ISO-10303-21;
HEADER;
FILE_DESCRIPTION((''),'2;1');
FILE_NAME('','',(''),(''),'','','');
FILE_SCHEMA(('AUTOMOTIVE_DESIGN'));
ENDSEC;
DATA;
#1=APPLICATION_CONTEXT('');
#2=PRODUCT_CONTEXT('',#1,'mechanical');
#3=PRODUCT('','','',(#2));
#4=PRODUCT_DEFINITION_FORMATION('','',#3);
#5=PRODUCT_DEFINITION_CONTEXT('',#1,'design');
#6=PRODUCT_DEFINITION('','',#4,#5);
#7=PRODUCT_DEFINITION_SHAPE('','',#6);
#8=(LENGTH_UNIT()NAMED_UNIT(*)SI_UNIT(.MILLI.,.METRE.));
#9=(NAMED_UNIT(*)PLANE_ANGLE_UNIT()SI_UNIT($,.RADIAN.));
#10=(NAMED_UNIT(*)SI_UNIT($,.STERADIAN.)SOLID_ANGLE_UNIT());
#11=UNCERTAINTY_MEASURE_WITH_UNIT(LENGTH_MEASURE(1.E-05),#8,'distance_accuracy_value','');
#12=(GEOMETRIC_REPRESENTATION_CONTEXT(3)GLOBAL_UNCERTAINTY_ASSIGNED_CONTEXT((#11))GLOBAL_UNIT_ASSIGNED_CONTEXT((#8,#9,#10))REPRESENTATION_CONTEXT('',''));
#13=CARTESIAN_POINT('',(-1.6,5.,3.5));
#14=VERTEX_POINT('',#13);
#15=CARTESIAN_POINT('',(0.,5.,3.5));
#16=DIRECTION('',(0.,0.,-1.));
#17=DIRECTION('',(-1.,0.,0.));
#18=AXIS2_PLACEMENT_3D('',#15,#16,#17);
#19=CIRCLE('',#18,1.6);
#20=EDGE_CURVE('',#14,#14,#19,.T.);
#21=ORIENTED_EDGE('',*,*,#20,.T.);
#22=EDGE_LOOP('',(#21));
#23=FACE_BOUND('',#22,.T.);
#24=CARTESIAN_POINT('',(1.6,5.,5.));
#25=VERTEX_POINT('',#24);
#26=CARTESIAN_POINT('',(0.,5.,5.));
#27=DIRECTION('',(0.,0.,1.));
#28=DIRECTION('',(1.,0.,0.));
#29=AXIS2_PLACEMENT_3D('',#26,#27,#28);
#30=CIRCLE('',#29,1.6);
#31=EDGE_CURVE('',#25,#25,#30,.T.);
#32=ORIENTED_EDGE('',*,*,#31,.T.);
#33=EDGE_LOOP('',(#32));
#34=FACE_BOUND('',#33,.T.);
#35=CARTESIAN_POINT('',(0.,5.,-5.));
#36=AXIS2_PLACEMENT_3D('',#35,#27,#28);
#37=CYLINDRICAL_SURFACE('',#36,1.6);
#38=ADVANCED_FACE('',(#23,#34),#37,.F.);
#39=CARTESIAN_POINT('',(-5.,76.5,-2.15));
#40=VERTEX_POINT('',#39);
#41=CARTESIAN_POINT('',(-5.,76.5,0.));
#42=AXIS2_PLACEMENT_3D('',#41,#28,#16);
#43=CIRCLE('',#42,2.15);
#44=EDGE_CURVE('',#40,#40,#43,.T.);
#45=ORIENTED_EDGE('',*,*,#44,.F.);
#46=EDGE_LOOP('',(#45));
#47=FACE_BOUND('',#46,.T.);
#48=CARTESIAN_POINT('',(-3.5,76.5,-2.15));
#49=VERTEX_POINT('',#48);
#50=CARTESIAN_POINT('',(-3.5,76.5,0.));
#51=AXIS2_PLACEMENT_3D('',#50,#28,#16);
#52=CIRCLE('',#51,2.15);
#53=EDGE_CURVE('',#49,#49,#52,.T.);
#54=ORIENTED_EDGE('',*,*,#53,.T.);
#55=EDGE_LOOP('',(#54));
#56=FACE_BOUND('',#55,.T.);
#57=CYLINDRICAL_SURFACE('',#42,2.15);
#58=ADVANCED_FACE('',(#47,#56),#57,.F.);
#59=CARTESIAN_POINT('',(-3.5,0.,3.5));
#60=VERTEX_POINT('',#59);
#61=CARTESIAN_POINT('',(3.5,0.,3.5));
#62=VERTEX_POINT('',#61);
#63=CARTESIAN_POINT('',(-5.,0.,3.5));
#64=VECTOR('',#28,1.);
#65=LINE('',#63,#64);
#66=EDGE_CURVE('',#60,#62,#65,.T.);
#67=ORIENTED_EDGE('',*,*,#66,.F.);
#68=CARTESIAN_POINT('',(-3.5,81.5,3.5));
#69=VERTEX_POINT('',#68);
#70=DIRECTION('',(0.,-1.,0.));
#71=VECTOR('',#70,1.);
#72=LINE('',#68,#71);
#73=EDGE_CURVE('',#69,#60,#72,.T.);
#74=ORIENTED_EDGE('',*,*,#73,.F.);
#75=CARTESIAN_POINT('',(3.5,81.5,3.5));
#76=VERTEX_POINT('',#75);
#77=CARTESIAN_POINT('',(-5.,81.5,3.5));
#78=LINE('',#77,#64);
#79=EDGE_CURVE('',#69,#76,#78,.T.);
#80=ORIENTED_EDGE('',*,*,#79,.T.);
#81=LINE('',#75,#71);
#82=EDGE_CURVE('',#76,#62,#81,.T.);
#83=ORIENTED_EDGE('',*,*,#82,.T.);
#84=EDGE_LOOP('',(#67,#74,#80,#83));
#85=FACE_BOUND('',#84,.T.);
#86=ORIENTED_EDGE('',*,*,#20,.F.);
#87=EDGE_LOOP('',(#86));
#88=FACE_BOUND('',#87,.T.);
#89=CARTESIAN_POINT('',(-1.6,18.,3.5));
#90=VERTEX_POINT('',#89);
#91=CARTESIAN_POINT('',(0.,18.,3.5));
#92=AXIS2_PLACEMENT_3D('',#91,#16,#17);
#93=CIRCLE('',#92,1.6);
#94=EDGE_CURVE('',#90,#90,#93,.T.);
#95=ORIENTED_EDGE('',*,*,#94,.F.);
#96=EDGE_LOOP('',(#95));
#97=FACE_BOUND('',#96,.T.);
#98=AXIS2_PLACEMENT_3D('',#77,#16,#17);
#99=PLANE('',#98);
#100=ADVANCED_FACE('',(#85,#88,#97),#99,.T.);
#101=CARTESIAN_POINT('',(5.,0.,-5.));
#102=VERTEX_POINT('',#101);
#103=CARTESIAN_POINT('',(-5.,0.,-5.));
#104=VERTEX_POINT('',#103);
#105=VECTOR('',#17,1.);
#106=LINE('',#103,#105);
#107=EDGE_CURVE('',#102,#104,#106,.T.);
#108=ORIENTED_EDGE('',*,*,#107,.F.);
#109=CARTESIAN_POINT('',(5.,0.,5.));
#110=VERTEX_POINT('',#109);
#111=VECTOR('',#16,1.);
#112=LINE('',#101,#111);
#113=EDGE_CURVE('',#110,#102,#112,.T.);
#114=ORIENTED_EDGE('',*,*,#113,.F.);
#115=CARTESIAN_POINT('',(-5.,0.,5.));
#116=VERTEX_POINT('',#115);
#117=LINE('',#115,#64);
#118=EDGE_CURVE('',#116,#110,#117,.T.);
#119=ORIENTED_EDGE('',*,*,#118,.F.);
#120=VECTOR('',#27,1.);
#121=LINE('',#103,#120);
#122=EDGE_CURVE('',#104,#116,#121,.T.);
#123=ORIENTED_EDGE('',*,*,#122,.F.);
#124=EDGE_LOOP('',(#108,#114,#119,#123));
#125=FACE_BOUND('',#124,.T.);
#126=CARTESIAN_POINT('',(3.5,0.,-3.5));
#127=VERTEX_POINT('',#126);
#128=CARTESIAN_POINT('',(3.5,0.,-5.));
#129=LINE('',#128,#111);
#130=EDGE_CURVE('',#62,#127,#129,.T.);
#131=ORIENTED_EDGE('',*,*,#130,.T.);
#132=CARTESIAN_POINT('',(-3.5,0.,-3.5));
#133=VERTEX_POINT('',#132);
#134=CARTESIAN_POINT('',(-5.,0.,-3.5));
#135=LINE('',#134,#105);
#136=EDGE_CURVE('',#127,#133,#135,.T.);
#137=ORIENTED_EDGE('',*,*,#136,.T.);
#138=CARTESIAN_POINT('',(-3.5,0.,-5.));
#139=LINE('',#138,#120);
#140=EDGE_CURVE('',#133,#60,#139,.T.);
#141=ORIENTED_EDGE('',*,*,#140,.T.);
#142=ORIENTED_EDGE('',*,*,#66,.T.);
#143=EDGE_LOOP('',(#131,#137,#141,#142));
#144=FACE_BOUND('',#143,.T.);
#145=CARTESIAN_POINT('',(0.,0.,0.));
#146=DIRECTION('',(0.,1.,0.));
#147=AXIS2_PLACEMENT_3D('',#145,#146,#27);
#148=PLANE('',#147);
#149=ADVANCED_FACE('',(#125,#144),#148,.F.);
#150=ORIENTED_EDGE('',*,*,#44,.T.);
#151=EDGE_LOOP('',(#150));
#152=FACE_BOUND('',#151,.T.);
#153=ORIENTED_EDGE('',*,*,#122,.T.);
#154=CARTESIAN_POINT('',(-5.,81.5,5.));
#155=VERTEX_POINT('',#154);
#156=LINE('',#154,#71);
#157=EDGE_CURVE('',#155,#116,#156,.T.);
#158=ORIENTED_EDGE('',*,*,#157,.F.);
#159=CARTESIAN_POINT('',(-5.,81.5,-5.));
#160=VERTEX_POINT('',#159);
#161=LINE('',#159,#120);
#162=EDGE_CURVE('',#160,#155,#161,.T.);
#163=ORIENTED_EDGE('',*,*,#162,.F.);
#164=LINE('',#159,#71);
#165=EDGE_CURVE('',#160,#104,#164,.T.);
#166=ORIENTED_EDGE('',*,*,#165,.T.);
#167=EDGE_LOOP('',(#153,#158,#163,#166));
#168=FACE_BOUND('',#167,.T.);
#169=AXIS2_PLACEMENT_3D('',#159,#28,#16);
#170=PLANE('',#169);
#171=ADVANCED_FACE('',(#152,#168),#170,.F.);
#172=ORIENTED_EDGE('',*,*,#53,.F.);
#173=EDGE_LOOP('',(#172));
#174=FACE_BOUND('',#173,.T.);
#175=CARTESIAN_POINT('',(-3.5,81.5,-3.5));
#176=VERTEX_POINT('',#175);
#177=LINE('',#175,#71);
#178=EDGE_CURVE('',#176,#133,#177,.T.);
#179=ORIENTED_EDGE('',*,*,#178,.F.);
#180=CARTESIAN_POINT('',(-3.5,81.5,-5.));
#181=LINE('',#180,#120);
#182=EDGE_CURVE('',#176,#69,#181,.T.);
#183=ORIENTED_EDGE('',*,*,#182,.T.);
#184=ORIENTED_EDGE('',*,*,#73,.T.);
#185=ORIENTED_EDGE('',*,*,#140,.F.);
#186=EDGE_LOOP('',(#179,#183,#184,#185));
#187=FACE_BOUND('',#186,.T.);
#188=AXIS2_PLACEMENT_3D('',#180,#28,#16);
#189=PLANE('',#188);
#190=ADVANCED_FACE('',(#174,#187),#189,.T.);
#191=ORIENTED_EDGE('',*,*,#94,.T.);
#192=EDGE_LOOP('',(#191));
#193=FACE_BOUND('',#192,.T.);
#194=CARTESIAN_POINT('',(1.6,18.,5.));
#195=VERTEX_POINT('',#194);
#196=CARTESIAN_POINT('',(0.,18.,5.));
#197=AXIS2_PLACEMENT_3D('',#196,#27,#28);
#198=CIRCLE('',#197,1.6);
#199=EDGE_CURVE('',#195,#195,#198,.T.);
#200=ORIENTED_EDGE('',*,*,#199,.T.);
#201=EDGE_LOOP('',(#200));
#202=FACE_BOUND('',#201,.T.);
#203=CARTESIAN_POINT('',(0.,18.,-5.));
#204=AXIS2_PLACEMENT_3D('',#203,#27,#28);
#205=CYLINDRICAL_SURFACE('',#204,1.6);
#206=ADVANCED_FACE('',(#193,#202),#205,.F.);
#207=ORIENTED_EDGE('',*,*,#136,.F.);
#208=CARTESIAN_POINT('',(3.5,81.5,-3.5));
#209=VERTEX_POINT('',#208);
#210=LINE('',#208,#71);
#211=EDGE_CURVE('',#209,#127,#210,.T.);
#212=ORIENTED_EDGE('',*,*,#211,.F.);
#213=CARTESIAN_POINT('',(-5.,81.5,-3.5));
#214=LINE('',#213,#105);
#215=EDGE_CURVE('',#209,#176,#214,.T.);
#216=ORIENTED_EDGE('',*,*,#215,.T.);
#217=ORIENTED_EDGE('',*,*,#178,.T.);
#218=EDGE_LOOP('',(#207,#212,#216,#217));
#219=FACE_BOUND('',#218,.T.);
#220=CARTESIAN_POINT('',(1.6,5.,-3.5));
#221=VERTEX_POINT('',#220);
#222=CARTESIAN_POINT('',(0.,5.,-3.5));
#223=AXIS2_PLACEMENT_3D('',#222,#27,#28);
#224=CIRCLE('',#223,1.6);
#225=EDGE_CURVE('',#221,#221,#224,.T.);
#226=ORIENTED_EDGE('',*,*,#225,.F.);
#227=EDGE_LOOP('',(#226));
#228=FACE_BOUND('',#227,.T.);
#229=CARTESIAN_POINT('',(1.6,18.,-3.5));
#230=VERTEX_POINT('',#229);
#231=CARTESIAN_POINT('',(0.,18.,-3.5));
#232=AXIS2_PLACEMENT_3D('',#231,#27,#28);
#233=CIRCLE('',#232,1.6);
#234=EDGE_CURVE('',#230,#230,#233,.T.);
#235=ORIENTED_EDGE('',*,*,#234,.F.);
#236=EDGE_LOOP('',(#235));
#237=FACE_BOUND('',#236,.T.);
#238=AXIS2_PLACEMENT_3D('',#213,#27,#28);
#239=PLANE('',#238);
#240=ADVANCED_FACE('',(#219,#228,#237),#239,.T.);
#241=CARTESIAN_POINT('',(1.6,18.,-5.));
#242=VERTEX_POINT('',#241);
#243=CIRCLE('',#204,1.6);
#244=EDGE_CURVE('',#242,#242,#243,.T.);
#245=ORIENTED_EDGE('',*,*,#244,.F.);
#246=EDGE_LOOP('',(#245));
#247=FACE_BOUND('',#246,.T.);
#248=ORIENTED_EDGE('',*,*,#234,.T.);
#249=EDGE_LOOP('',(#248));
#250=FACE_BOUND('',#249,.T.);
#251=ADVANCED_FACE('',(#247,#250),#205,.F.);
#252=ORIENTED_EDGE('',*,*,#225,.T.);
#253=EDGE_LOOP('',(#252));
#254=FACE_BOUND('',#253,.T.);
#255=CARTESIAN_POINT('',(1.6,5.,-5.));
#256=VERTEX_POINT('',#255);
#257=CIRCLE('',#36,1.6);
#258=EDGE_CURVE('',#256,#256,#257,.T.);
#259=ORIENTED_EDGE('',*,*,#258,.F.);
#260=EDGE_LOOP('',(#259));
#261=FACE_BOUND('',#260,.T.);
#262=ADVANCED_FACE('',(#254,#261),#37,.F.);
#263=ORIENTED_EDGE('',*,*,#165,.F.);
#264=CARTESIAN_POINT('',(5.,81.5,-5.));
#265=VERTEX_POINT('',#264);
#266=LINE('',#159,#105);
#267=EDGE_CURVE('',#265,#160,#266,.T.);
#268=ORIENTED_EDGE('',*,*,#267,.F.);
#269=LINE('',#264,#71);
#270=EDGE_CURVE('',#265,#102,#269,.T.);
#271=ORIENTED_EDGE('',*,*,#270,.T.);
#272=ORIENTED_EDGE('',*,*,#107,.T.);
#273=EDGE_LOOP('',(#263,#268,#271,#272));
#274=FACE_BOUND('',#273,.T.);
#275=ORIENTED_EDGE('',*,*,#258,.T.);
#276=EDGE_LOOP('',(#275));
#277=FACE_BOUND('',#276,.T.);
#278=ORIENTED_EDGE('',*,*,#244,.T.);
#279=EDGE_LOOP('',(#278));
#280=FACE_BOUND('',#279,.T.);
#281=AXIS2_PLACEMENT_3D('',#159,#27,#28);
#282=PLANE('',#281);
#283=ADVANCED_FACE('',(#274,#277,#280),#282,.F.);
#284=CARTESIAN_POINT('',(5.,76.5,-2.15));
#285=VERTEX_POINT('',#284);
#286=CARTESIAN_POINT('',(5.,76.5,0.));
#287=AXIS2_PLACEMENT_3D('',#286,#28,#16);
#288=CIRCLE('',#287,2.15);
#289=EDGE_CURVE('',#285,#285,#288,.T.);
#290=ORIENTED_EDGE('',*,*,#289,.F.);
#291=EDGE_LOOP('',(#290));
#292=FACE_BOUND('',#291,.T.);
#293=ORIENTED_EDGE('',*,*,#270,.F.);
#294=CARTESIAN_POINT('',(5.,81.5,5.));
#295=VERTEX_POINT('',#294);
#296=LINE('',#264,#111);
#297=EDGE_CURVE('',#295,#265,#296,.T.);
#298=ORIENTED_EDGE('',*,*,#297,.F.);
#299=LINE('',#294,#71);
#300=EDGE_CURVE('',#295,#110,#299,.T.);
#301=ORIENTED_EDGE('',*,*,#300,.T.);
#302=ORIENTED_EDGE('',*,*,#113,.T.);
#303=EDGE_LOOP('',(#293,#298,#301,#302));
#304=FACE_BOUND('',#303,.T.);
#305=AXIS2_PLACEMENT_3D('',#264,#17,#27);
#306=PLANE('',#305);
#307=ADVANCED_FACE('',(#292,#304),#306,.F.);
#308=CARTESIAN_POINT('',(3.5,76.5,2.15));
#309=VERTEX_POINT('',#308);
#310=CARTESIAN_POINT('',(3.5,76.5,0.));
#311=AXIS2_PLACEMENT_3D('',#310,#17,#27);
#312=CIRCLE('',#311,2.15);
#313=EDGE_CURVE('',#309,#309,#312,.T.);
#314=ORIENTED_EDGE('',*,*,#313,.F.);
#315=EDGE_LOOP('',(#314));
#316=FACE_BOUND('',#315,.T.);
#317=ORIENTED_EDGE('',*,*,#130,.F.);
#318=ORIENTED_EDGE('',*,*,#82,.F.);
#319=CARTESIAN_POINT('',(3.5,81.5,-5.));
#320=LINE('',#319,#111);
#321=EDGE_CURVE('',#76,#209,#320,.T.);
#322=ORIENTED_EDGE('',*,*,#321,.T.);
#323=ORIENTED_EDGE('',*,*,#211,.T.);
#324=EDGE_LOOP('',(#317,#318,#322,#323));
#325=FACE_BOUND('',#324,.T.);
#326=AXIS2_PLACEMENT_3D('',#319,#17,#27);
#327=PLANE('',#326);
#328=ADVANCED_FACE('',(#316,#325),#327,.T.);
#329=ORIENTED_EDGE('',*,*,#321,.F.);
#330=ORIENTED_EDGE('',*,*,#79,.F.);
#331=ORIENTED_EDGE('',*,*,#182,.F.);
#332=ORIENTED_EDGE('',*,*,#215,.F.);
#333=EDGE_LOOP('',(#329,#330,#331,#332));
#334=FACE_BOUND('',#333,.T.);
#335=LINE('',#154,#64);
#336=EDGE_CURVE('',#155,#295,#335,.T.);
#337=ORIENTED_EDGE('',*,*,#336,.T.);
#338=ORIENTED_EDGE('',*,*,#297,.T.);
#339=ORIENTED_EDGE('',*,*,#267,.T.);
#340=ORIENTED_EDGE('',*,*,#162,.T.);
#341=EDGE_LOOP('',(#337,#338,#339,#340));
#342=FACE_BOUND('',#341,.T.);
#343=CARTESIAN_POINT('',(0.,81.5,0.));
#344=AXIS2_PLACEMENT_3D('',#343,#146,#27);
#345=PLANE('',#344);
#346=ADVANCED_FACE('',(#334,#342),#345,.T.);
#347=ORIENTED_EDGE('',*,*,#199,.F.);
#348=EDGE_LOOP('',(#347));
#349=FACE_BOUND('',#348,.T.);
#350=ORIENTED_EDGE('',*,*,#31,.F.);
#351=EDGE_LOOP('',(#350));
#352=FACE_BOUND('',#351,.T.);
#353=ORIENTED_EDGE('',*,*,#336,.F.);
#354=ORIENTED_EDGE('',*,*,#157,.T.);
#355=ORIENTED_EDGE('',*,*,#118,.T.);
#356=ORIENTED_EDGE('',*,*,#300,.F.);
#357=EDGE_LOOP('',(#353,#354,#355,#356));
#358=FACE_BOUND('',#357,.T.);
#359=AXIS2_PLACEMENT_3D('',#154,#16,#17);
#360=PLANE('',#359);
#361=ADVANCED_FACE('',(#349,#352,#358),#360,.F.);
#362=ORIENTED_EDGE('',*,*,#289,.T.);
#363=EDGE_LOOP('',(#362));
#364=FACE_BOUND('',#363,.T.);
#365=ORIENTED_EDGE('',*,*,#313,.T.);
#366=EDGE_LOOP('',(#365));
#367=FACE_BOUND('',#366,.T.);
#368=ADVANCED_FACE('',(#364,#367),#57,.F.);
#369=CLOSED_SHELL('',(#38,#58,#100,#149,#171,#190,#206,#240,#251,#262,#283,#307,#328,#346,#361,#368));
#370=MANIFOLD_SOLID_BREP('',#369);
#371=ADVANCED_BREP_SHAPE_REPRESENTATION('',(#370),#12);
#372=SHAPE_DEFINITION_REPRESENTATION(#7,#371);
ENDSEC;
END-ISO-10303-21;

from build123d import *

# Parameters (mm, degrees)
SKETCH_1_W          = 10
SKETCH_1_H          = 10
SKETCH_1_W_2        = 7
SKETCH_1_H_2        = 7
EXTRUDE_1_DEPTH     = 81.5
SKETCH_2_R          = 1.6
CUT_EXTRUDE_1_DEPTH = 83.263296798
SKETCH_3_R          = 2.15
CUT_EXTRUDE_2_DEPTH = 83.263296798


with BuildPart() as part:
    # ｽｹｯﾁ1 → 押し出し-薄板1 (new body)
    with BuildSketch(Plane(origin=(0, 0, 0), x_dir=(1, 0, 0), z_dir=(0, 1, 0))):
        Rectangle(SKETCH_1_W, SKETCH_1_H)
        Rectangle(SKETCH_1_W_2, SKETCH_1_H_2, mode=Mode.SUBTRACT)
    extrude(amount=EXTRUDE_1_DEPTH)

    # ｽｹｯﾁ2 → ｶｯﾄ - 押し出し1 (cut, through all)
    with BuildSketch(Plane.XY.offset(5)):
        with Locations((0, 18)):
            Circle(SKETCH_2_R)
        with Locations((0, 5)):
            Circle(SKETCH_2_R)
    extrude(amount=-CUT_EXTRUDE_1_DEPTH, mode=Mode.SUBTRACT)

    # ｽｹｯﾁ3 → ｶｯﾄ - 押し出し2 (cut, through all)
    with BuildSketch(Plane(origin=(5, 0, 0), x_dir=(0, 0, -1), z_dir=(1, 0, 0))):
        with Locations((0, 76.5)):
            Circle(SKETCH_3_R)
    extrude(amount=-CUT_EXTRUDE_2_DEPTH, mode=Mode.SUBTRACT)


solid = part.part
